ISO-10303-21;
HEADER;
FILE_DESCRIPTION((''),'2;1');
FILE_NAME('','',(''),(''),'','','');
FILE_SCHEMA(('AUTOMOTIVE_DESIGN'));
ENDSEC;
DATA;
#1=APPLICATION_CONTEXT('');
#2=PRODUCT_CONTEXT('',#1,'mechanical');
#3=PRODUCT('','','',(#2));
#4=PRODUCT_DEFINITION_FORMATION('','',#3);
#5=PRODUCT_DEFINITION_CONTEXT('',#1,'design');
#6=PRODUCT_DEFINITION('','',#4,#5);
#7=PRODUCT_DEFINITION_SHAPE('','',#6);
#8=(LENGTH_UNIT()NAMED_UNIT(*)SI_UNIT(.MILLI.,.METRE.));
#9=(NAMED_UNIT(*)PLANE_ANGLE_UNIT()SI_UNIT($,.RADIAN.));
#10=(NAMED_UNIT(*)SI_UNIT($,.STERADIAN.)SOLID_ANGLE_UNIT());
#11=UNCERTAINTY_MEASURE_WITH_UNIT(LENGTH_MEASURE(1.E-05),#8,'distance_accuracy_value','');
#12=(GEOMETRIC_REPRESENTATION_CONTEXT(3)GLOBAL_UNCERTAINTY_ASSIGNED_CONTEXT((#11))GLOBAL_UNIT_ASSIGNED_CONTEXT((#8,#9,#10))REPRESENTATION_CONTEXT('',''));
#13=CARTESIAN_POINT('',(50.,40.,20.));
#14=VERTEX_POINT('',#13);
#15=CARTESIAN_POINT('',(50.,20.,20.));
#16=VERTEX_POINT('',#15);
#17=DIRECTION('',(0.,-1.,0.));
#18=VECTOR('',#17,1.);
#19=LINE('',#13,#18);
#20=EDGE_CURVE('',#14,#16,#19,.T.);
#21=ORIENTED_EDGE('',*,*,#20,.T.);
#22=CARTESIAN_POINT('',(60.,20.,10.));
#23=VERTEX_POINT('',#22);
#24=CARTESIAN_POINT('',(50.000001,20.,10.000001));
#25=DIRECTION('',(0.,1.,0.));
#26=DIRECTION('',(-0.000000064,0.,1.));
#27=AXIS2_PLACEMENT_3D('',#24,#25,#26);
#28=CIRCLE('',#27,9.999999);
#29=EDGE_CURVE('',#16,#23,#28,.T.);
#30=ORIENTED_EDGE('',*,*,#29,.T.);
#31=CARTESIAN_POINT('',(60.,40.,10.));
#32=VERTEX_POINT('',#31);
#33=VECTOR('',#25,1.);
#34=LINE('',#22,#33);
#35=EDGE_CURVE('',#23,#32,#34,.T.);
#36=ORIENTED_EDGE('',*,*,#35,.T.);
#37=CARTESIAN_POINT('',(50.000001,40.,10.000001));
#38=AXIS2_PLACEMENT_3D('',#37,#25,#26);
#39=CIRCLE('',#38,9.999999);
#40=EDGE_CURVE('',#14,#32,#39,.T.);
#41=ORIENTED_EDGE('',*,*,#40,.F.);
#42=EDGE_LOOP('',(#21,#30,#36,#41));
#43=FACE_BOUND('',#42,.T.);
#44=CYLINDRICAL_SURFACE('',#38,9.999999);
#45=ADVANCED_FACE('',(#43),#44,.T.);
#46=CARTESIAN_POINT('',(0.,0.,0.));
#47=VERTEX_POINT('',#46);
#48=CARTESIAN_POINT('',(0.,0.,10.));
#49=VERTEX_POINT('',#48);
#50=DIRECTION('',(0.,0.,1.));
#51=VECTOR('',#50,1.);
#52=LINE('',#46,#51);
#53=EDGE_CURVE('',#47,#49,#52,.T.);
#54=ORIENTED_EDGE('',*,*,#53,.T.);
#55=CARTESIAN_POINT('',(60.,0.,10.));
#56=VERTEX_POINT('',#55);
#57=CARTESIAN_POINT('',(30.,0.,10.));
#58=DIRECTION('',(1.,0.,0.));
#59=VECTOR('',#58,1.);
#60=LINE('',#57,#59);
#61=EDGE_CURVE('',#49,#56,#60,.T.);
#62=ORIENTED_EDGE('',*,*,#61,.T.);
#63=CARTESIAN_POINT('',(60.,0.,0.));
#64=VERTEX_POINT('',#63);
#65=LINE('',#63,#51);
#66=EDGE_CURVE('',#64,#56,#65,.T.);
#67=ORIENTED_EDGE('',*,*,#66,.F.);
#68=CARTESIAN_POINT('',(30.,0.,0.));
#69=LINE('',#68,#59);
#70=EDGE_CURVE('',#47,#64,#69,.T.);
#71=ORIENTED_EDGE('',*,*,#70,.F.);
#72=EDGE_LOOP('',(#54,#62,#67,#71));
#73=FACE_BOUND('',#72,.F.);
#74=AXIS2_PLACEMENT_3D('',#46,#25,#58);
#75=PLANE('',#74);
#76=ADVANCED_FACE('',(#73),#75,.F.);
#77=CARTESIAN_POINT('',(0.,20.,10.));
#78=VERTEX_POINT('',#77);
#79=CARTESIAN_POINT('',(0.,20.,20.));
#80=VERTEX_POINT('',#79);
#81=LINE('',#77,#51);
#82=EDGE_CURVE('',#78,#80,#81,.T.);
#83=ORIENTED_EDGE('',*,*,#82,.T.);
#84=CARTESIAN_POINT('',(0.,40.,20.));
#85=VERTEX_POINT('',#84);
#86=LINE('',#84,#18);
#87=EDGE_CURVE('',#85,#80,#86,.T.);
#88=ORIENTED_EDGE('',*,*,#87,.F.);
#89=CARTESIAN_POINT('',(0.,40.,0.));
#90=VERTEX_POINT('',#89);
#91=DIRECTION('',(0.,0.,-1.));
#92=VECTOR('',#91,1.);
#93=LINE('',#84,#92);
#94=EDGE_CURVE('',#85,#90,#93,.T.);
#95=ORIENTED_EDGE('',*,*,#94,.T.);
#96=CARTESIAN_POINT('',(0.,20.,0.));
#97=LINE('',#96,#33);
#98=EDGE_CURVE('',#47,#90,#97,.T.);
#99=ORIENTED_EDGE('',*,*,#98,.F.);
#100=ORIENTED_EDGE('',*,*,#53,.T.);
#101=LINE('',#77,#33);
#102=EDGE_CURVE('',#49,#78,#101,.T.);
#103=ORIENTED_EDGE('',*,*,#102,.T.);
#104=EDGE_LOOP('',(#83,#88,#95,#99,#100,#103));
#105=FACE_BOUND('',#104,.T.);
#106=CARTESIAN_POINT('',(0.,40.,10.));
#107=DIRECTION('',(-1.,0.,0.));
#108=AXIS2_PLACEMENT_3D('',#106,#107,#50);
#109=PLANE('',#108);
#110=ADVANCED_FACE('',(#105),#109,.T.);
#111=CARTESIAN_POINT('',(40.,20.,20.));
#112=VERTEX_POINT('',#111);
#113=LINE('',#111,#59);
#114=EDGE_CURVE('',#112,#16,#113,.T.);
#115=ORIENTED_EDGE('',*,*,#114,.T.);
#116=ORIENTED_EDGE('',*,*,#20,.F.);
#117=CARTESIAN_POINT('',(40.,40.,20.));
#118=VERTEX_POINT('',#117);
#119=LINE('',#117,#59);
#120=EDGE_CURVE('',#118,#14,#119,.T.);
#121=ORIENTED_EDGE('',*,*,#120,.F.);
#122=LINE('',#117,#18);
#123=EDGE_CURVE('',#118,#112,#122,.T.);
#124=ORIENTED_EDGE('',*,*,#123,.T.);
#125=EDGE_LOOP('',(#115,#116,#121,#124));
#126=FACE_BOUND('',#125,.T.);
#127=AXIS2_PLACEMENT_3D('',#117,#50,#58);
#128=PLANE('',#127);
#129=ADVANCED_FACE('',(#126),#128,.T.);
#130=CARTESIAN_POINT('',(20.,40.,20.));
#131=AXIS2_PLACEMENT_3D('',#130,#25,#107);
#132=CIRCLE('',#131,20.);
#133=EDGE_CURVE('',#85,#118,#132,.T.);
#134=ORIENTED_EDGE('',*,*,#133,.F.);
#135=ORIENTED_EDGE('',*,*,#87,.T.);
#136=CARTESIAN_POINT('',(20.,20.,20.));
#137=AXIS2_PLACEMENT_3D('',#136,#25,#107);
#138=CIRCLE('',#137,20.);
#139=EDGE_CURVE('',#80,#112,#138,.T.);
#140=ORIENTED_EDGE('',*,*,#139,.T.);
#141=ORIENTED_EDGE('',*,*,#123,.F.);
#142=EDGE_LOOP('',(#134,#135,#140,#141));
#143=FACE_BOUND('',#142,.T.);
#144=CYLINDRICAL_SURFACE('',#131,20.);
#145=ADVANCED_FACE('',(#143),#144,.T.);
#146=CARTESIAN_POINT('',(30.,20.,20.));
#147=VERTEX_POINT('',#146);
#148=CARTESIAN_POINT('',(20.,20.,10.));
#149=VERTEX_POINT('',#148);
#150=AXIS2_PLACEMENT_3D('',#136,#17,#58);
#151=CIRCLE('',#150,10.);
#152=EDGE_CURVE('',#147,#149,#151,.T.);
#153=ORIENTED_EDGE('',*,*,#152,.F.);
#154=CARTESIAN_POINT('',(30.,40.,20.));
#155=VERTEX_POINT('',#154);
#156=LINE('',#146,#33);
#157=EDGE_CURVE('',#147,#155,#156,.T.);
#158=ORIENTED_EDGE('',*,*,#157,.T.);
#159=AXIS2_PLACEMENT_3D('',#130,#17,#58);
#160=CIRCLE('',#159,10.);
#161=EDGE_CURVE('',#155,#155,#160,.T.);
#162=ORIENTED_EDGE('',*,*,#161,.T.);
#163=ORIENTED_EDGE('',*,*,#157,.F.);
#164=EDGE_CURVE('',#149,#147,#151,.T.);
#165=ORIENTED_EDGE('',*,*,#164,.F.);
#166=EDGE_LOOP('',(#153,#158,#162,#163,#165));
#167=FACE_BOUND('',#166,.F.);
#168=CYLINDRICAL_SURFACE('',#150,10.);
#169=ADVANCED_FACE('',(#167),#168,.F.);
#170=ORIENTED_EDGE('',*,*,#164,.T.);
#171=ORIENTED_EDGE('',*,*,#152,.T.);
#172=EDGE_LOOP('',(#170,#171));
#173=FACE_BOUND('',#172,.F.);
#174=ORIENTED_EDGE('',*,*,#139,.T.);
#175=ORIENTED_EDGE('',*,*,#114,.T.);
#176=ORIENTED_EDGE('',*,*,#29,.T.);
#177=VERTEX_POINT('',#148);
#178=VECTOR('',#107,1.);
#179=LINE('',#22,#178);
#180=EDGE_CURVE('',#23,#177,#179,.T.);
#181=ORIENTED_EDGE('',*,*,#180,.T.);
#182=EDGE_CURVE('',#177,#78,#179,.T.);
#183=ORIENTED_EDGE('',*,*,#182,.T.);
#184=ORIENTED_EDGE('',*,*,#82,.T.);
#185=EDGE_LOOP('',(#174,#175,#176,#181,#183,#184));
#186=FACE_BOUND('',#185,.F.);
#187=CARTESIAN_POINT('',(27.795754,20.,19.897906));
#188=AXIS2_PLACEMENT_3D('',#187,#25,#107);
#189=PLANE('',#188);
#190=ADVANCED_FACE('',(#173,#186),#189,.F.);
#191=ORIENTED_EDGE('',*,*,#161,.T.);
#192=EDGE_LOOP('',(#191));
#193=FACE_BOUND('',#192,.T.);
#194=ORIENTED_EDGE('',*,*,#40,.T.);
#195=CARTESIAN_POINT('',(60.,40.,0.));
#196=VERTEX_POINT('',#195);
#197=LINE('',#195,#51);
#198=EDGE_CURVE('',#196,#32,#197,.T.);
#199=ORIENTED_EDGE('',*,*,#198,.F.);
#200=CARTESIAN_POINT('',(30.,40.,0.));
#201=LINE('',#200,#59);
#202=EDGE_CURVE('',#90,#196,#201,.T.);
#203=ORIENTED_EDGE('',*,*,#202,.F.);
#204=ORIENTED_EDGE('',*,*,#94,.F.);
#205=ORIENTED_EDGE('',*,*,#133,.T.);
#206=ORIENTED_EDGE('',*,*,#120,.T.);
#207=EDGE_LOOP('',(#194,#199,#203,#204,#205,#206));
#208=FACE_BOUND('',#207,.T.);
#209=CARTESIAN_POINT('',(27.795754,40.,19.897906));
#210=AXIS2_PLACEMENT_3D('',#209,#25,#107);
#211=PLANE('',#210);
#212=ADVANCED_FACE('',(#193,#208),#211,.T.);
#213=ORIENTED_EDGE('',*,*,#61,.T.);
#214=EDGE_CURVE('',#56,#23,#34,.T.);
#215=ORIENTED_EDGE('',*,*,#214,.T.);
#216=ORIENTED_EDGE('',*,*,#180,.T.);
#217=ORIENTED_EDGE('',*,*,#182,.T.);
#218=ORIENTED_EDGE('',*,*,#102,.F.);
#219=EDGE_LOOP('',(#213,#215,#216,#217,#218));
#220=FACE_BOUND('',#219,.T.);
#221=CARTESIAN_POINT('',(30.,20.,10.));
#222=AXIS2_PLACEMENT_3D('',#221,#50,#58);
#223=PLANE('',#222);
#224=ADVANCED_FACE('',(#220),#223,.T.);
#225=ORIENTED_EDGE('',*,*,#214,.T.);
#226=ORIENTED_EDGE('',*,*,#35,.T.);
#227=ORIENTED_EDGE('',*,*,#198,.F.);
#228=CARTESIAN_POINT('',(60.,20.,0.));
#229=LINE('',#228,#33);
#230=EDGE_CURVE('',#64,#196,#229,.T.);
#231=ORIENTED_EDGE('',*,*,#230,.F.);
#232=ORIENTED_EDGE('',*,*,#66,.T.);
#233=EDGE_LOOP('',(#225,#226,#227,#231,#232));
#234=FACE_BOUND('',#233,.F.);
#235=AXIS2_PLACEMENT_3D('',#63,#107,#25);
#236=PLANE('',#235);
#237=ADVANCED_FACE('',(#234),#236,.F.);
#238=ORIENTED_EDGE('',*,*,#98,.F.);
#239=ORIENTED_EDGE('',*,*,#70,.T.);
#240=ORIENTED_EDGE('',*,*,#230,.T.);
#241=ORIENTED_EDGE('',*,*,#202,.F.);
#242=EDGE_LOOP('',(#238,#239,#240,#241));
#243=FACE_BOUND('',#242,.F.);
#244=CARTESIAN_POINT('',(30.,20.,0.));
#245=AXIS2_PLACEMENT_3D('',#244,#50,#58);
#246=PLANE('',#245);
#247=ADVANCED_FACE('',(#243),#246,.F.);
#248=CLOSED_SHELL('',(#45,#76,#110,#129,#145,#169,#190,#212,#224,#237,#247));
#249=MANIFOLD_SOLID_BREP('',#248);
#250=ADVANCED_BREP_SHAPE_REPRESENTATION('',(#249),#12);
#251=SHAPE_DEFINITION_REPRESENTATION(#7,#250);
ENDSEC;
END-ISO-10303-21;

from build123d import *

# Parameters (mm, degrees)
F0_W     = 60
F0_H     = 40
F1_DEPTH = 10
F3_DEPTH = 20
F4_R     = 10
F5_DEPTH = 25


with BuildPart() as f1:
    # F0 (on Top) → F1 (new body)
    with BuildSketch(Plane.XY):
        with Locations((30, 20)):
            Rectangle(F0_W, F0_H)
    extrude(amount=F1_DEPTH)

    # F2 (on face) → F3 (join)
    with BuildSketch(Plane(origin=(0, 40, 0), x_dir=(-1, 0, 0), z_dir=(0, 1, 0))):
        with BuildLine():
            Line((0, 10), (0, 20))
            ThreePointArc((0, 20), (-20, 40), (-40, 20))
            Line((-40, 20), (-50, 20))
            ThreePointArc((-50, 20), (-57.071068, 17.071068), (-60, 10))
            Line((-60, 10), (0, 10))
        make_face()
    extrude(amount=-F3_DEPTH)

    # F4 (on face) → F5 (cut)
    with BuildSketch(Plane.XZ.offset(-20)):
        with Locations((20, 20)):
            Circle(F4_R)
    extrude(amount=-F5_DEPTH, mode=Mode.SUBTRACT)


solid = f1.part
